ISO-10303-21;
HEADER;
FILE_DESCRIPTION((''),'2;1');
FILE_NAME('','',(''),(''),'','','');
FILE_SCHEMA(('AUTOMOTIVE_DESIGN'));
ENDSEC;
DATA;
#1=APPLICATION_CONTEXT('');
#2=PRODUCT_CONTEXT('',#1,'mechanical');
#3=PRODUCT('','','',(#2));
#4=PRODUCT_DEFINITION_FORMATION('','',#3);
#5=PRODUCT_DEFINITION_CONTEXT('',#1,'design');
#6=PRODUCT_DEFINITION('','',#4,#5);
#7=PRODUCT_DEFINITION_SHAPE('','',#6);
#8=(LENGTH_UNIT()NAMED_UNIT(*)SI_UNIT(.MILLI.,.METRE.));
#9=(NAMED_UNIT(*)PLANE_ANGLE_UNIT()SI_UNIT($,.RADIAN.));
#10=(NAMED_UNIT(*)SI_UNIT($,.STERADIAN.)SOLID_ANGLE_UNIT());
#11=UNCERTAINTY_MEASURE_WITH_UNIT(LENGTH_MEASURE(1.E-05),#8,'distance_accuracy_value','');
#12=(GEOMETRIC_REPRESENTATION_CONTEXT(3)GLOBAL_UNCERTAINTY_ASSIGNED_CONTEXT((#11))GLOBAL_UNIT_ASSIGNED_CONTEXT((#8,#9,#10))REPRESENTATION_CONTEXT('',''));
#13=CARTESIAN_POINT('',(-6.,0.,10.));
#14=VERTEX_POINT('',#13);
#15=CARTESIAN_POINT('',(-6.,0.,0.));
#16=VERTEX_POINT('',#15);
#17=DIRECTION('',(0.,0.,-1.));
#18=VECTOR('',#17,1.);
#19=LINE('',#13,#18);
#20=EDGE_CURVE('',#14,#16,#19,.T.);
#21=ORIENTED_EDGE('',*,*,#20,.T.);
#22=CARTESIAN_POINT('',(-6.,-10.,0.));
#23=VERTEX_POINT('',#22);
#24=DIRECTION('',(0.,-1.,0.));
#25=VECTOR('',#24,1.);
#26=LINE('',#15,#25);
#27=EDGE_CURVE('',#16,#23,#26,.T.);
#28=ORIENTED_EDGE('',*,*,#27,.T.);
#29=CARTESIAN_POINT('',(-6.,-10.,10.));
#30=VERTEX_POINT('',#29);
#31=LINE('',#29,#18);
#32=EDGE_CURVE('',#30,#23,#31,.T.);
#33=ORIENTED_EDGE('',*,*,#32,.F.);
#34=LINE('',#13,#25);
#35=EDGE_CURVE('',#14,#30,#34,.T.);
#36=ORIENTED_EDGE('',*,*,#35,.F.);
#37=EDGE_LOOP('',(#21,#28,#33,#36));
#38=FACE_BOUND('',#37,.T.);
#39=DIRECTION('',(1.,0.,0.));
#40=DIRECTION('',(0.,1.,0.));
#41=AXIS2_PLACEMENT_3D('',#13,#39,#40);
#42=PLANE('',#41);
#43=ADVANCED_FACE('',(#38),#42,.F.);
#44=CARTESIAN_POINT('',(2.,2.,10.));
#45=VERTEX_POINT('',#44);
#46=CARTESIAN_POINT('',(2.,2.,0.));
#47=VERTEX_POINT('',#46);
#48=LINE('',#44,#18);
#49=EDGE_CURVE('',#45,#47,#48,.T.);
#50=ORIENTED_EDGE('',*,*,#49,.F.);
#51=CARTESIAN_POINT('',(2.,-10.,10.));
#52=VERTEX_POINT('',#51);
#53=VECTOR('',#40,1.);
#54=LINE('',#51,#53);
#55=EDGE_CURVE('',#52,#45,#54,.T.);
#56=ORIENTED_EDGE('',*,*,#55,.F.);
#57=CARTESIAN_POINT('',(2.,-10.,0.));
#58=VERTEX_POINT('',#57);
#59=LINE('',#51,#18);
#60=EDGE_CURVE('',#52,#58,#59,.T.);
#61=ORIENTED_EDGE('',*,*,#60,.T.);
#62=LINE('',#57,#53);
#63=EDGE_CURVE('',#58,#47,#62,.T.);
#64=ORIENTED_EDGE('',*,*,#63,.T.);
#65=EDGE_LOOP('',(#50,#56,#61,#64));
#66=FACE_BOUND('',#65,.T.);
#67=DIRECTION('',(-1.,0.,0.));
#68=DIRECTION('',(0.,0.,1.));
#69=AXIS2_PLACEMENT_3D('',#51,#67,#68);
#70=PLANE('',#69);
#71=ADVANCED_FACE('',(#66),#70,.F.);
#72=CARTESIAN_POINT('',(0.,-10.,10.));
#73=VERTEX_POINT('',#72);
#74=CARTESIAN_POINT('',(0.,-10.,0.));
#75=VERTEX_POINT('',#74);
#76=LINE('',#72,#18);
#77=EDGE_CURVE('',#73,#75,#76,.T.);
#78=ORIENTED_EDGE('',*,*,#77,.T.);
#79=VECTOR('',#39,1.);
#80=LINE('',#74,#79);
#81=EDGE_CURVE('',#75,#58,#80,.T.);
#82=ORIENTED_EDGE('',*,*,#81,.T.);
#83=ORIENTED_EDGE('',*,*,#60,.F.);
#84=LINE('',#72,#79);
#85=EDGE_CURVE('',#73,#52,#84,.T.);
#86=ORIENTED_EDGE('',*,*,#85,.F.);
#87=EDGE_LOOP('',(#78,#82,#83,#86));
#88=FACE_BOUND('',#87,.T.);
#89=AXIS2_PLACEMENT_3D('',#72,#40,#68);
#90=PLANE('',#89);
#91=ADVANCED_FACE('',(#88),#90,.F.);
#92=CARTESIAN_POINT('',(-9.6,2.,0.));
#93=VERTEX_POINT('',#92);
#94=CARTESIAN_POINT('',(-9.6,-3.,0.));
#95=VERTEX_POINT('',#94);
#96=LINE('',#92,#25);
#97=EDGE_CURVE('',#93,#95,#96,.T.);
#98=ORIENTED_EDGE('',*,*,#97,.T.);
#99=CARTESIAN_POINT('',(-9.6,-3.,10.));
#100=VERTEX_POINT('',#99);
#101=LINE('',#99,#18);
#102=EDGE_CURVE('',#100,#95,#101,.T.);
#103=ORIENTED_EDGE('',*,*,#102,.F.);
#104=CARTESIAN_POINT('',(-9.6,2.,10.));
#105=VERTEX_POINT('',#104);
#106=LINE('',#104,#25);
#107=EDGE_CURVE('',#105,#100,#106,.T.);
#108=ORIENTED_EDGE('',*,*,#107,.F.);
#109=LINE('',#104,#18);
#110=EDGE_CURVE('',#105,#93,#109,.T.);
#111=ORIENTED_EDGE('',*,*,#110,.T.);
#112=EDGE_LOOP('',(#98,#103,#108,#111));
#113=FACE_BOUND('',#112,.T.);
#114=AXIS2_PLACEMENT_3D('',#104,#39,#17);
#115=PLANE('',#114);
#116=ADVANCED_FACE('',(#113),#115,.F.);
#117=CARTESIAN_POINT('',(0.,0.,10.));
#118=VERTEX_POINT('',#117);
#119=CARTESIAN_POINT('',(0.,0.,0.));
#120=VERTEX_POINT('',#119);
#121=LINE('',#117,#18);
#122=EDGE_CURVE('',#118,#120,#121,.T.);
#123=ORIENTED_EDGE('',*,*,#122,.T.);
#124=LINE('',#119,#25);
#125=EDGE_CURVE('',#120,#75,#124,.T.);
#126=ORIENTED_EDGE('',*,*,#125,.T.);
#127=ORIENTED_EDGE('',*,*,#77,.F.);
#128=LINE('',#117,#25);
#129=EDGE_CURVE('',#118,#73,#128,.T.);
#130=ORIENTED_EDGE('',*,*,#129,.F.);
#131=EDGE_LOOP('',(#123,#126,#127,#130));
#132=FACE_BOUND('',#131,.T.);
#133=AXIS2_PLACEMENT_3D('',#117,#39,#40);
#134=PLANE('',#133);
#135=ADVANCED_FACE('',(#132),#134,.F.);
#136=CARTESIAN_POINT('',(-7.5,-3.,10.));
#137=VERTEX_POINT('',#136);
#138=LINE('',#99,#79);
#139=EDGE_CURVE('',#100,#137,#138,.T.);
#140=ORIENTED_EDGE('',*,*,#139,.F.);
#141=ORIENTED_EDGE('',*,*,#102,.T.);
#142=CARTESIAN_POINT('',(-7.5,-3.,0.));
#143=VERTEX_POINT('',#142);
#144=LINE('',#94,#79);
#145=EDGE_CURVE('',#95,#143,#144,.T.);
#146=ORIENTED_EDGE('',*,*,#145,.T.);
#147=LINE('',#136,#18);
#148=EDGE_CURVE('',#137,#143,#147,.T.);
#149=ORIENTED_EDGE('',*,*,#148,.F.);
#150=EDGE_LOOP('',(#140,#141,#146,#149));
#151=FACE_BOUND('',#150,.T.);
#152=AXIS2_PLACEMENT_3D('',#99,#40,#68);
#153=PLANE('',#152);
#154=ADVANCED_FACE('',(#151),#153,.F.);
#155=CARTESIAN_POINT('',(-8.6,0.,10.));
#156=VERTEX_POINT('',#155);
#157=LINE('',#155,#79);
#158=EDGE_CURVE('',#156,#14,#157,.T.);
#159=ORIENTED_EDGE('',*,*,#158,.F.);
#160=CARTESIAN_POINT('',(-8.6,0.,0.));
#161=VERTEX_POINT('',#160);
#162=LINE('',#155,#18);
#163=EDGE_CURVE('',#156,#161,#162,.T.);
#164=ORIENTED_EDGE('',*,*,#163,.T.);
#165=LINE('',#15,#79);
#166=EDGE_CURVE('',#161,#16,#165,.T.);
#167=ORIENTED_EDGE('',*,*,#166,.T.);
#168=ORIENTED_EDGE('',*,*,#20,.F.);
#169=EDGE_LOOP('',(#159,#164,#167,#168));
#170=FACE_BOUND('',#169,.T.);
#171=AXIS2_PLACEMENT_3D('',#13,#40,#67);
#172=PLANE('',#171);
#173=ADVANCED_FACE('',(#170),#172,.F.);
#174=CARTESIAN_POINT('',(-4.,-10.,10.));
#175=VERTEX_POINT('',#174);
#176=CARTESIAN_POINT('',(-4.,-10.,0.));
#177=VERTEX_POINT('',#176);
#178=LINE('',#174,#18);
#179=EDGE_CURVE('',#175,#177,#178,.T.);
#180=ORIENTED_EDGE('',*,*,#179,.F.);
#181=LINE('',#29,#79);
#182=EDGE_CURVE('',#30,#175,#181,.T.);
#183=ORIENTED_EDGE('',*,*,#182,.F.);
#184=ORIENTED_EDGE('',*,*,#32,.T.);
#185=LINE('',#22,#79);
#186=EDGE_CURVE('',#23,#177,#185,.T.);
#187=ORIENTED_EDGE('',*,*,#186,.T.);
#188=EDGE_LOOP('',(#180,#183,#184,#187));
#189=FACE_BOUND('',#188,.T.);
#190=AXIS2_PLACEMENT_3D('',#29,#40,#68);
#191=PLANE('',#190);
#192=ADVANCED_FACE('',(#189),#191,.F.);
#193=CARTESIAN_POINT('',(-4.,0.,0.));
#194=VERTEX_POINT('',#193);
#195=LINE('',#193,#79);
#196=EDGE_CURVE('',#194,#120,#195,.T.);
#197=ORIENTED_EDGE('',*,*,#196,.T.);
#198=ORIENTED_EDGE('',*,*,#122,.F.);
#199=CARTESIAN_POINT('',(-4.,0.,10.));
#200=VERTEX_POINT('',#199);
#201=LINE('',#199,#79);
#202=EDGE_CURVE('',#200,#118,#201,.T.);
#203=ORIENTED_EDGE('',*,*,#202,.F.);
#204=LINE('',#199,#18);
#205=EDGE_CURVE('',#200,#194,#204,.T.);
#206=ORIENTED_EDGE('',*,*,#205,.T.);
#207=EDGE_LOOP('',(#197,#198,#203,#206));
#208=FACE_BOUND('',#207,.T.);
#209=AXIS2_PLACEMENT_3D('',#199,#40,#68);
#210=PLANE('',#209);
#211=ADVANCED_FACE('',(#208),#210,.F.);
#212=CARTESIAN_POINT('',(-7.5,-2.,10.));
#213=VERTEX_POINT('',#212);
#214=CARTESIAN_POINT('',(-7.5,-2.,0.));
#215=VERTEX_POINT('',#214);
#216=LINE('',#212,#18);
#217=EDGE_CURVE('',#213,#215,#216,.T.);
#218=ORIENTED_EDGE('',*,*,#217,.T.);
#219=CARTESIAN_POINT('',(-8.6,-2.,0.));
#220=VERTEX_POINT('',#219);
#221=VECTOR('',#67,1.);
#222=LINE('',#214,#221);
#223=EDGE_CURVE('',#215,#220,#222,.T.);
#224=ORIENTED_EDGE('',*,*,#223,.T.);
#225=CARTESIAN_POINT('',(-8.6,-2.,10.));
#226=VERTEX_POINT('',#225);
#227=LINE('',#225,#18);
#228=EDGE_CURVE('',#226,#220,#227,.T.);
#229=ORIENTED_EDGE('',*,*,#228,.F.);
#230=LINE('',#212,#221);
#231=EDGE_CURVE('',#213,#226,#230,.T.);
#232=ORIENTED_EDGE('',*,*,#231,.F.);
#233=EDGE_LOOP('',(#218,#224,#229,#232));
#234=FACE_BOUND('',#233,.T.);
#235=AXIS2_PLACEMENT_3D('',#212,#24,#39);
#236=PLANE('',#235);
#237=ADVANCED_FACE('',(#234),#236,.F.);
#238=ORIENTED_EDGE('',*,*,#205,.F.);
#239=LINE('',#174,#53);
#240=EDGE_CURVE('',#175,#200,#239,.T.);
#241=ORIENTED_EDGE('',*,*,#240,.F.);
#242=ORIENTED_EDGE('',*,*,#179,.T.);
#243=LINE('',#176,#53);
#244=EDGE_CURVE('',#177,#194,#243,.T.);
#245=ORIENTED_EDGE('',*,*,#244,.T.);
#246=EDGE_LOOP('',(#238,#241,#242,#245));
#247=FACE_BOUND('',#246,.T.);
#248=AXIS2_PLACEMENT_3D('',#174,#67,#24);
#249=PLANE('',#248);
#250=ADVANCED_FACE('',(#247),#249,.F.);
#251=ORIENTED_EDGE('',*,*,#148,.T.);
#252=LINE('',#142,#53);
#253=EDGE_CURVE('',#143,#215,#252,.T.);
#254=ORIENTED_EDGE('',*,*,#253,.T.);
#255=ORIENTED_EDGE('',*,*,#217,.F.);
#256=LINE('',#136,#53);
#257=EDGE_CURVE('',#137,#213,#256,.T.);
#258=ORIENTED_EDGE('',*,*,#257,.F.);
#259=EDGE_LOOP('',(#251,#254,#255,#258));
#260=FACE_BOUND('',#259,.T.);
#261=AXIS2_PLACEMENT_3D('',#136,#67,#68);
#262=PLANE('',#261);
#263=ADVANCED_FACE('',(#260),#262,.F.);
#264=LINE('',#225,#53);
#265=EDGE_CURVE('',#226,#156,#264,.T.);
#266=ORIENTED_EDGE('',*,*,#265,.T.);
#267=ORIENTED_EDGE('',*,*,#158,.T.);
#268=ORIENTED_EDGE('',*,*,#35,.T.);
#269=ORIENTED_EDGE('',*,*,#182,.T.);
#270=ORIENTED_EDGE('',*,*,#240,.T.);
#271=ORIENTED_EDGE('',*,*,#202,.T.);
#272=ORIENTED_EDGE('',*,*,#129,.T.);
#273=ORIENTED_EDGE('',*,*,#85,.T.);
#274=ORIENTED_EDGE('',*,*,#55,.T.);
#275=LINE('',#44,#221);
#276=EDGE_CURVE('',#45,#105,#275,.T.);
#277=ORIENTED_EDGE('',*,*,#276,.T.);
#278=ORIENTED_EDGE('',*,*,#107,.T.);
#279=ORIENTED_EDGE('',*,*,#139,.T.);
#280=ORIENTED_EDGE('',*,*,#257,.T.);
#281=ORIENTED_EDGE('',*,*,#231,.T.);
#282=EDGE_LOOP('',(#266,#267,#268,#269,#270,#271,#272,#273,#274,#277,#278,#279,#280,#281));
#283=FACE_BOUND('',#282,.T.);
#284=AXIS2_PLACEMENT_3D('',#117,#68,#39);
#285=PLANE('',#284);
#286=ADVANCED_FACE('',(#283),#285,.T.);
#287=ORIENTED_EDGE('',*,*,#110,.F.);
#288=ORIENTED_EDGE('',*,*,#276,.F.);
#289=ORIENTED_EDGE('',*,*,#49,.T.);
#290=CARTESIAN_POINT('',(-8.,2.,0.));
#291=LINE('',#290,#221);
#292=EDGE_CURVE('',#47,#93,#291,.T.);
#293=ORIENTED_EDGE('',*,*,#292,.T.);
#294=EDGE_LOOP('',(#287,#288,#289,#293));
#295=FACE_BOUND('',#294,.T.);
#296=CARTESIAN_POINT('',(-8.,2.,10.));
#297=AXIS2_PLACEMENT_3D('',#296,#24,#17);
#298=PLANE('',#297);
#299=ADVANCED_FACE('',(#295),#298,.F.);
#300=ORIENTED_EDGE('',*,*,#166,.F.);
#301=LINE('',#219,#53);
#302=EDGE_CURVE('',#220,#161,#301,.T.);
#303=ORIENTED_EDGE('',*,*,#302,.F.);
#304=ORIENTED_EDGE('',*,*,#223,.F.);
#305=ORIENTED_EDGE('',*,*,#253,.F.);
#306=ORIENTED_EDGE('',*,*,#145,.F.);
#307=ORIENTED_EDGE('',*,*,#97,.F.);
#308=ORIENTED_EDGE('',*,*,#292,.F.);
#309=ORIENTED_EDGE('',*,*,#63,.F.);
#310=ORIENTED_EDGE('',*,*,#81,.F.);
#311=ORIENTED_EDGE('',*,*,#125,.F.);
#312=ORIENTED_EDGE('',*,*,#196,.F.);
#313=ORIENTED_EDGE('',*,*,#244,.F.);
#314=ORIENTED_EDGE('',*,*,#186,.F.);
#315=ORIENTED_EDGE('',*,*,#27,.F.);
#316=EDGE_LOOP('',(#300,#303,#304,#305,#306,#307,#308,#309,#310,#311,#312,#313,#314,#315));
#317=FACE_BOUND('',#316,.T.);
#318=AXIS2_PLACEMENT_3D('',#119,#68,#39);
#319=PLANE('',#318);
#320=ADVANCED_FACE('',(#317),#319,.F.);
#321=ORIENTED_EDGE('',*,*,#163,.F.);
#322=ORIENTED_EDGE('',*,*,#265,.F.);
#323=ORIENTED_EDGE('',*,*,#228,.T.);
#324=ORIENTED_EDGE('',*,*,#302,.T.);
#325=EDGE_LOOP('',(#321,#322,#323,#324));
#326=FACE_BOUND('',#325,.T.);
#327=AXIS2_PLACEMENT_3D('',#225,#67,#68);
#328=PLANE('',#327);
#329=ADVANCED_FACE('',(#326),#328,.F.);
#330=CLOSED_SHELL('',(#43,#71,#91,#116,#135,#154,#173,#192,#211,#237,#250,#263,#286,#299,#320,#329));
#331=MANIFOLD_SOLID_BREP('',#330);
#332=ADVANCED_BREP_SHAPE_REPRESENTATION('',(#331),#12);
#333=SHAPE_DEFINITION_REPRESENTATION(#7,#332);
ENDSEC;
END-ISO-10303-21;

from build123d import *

# Parameters (mm, degrees)
BOSS_EXTRUDE1_DEPTH = 10


with BuildPart() as part:
    # Sketch1 → Boss-Extrude1 (new body)
    with BuildSketch(Plane.XY):
        Polygon((-4, -10), (-4, 0), (0, 0), (0, -10), (2, -10), (2, 2), (-5, 2), (-8, 2), (-9.6, 2), (-9.6, -3), (-7.5, -3), (-7.5, -2), (-8.6, -2), (-8.6, 0), (-7, 0), (-6, 0), (-6, -10), align=None)
    extrude(amount=BOSS_EXTRUDE1_DEPTH)


solid = part.part
